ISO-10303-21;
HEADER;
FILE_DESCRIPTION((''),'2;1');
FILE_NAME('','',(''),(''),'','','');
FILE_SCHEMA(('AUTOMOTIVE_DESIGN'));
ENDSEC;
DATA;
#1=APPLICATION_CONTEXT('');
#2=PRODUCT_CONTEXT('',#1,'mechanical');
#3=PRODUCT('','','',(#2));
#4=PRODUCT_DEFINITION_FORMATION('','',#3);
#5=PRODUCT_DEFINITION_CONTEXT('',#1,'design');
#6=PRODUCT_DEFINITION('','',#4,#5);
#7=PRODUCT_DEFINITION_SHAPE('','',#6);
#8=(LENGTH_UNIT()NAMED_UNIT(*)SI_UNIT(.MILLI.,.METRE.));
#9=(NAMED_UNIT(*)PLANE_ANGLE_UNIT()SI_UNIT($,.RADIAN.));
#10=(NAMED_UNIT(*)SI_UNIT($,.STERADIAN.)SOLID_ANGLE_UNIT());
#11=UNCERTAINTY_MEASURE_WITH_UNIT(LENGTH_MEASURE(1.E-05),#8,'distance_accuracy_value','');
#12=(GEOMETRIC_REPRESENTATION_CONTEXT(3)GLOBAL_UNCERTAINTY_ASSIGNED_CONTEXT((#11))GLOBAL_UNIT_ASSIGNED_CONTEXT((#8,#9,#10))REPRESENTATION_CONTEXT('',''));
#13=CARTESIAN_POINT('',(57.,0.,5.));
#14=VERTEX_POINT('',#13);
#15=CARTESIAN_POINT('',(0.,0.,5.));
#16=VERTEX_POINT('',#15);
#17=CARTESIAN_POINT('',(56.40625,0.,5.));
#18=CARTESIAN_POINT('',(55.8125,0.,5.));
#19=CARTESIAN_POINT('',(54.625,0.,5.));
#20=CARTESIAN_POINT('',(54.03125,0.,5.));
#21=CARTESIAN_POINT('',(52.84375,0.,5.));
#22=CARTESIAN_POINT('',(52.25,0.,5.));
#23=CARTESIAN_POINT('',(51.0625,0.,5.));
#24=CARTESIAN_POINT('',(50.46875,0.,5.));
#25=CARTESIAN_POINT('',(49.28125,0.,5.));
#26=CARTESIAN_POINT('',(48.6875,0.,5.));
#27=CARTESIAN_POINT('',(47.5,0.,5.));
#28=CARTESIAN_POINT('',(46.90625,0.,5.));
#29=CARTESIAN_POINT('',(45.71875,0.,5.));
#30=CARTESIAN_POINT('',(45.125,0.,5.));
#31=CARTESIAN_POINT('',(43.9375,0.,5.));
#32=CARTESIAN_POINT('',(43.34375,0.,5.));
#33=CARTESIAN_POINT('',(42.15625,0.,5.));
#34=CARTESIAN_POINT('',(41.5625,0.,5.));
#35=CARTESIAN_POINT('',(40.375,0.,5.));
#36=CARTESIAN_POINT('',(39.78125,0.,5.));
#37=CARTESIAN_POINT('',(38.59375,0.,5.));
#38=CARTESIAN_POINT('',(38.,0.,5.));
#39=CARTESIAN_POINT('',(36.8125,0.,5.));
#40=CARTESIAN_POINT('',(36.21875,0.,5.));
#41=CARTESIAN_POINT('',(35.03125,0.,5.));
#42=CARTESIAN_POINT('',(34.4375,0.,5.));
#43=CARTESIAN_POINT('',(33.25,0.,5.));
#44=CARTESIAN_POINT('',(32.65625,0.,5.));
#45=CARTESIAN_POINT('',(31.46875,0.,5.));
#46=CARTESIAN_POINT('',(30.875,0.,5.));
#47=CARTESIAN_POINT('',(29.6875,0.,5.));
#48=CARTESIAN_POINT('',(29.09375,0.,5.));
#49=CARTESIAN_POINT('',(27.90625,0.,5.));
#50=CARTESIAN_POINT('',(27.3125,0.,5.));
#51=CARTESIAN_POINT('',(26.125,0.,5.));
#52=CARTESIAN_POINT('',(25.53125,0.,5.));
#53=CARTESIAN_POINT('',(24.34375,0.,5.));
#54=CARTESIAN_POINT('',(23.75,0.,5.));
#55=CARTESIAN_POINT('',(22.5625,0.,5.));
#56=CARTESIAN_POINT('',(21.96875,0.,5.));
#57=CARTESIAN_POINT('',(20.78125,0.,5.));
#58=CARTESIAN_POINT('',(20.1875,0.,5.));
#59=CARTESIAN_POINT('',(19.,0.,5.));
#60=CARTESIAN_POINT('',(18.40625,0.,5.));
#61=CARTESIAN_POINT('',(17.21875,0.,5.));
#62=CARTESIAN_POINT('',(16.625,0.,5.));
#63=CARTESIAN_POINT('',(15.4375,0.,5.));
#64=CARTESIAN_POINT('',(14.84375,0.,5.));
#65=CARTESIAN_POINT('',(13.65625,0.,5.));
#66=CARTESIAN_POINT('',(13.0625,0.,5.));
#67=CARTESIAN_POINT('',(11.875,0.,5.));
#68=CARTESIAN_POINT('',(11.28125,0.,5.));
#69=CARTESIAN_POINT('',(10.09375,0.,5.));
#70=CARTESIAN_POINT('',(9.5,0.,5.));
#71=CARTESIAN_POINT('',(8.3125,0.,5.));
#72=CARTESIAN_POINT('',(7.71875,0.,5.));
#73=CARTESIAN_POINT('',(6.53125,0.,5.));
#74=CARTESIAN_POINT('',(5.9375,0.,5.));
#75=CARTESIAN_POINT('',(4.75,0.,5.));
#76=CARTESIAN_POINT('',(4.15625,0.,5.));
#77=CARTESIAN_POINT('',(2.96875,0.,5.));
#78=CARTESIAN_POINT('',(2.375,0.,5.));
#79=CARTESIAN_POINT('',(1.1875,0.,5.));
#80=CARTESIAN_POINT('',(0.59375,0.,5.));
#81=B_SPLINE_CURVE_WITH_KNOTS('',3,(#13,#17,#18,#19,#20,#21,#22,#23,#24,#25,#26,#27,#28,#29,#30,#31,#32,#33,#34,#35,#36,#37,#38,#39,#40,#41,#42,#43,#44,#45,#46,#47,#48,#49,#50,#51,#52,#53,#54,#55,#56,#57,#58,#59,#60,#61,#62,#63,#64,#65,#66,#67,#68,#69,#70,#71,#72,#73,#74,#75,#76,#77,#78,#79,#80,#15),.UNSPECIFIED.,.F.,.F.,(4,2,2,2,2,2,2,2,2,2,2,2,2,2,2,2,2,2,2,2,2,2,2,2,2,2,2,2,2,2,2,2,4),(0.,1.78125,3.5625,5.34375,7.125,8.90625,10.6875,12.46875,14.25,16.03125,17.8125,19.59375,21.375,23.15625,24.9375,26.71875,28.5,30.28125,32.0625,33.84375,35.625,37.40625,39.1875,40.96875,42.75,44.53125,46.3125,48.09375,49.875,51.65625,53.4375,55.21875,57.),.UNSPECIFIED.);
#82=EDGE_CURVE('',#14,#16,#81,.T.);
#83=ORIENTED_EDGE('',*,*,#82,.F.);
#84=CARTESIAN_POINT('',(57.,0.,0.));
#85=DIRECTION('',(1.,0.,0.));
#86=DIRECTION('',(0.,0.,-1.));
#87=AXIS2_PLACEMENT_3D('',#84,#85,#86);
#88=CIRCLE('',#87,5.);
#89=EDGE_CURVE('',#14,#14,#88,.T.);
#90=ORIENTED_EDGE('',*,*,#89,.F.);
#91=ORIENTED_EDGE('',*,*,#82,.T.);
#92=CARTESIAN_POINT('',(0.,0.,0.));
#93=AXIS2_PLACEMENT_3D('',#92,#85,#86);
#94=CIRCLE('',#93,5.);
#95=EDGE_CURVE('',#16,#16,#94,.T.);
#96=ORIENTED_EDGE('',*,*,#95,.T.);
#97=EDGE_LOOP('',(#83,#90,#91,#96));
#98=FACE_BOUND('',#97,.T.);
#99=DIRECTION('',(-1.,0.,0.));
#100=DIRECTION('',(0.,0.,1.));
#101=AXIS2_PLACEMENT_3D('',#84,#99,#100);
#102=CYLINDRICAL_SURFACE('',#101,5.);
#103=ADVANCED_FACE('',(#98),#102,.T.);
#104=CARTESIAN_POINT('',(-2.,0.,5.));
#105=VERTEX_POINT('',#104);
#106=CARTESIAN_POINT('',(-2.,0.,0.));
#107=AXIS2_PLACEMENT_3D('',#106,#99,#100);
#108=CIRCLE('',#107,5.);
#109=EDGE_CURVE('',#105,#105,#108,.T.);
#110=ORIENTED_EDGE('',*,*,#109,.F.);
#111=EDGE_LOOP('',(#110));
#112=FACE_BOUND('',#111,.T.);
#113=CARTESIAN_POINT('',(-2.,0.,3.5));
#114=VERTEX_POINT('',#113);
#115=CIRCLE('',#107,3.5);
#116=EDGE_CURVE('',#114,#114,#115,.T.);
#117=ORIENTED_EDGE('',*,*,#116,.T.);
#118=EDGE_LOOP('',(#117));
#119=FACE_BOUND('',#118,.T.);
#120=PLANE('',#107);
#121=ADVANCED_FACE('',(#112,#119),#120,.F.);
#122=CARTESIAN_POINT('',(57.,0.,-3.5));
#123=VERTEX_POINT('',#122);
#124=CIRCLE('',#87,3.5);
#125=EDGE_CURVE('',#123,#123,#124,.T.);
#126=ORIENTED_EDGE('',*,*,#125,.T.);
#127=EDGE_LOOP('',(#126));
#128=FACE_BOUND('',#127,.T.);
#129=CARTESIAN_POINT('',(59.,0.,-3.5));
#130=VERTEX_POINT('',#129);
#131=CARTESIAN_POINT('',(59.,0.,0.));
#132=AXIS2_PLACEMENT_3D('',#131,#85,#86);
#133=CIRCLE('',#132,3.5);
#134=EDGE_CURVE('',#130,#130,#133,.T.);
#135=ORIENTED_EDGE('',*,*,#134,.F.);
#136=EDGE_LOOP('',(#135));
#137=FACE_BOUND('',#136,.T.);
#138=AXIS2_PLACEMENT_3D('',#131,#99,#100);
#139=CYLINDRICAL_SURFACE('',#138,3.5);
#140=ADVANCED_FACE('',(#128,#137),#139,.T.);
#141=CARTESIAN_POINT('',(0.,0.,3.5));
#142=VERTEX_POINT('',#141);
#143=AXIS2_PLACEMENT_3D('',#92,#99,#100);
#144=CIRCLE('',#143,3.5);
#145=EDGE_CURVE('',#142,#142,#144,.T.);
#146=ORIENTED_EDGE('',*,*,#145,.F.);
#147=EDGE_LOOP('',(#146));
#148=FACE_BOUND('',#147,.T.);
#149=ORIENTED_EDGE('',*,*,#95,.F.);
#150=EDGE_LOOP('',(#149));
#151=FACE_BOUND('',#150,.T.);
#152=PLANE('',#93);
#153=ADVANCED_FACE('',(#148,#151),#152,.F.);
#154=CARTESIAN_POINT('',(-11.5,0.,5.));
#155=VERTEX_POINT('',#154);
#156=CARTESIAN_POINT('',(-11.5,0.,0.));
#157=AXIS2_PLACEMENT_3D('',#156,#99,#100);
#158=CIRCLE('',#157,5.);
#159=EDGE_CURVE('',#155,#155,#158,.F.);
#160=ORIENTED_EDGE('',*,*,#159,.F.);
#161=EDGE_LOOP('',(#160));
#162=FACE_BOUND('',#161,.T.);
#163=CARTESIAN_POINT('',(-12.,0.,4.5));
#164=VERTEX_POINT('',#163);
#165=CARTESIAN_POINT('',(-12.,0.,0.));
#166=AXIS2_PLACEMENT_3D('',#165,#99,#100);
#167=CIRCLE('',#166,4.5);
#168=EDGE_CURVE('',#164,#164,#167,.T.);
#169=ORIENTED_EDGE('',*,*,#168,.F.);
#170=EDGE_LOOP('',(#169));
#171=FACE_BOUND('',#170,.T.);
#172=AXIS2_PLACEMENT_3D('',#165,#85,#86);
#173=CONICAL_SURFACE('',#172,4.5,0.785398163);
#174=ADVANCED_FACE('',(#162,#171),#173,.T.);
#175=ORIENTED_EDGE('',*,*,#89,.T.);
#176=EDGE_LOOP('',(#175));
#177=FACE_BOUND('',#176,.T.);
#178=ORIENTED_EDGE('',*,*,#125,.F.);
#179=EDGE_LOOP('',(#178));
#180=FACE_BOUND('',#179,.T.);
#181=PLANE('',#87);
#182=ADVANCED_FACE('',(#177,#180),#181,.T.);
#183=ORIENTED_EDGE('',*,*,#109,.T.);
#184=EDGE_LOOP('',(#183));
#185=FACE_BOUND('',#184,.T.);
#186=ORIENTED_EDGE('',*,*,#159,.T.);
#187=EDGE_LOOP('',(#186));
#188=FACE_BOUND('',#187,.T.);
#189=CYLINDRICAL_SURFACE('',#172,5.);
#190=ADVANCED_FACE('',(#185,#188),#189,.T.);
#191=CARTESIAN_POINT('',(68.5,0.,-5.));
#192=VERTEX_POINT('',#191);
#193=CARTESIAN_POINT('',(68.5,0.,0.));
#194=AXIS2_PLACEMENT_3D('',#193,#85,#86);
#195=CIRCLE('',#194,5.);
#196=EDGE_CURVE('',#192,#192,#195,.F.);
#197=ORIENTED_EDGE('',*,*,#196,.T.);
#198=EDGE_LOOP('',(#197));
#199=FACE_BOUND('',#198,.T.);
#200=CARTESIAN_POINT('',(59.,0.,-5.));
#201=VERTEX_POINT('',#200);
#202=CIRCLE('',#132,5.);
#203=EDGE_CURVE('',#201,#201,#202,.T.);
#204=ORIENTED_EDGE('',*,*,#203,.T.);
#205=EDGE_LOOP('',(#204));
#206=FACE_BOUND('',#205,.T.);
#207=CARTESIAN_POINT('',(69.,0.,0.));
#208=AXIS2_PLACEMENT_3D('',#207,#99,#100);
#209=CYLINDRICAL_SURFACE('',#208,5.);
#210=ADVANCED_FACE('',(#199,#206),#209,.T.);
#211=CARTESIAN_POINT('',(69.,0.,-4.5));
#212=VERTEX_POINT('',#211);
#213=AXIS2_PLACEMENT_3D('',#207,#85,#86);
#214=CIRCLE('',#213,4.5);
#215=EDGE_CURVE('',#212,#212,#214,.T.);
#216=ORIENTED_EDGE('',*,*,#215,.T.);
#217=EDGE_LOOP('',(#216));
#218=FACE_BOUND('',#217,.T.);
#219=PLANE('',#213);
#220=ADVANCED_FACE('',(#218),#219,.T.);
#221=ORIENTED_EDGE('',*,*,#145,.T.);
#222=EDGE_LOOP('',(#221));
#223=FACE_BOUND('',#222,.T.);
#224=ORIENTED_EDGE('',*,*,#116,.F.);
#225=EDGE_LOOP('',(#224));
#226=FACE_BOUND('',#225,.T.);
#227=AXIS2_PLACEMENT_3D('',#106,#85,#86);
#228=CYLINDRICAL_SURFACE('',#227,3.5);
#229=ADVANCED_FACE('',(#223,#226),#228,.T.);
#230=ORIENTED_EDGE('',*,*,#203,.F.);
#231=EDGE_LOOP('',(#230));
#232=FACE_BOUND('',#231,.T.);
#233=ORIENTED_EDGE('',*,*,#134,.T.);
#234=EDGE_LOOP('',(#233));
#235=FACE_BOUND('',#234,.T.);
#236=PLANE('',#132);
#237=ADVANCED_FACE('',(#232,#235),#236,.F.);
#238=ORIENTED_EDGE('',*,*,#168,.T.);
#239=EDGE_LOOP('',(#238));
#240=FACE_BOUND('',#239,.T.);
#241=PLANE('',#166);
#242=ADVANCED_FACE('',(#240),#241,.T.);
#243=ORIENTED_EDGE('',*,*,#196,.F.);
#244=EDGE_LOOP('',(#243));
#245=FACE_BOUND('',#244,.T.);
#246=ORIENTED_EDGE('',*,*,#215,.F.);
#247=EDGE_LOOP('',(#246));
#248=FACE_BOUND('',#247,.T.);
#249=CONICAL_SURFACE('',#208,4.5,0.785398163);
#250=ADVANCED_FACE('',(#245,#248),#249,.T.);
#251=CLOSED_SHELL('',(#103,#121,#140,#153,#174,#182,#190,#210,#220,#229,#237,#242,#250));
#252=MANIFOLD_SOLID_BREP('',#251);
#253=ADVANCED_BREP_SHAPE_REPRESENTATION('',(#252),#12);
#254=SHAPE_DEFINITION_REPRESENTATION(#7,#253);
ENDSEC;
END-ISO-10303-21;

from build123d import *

# Parameters (mm, degrees)
SKETCH_4_R      = 5
EXTRUDE_4_DEPTH = 57
SKETCH_5_R      = 3.5
EXTRUDE_5_DEPTH = 2
EXTRUDE_START   = 10
SKETCH_6_R      = 5
EXTRUDE_6_DEPTH = 10
EXTRUDE_START_2 = 2
SKETCH_7_R      = 3.5
EXTRUDE_7_DEPTH = 2
SKETCH_8_R      = 5
EXTRUDE_8_DEPTH = 10
CHAMFER_1_SIZE  = 0.5


with BuildPart() as part:
    # 草图4 → 凸台-拉伸4 (new body)
    with BuildSketch(Plane(origin=(0, 0, 0), x_dir=(0, 0, -1), z_dir=(1, 0, 0))):
        with Locations(Location((0, 0, 0), (0, 0, 180))):
            Circle(SKETCH_4_R)
    extrude(amount=EXTRUDE_4_DEPTH)

    # 草图5 → 凸台-拉伸5 (add)
    with BuildSketch(Plane.ZY):
        Circle(SKETCH_5_R)
    extrude(amount=EXTRUDE_5_DEPTH)

    # 草图6 → 凸台-拉伸6 (add)
    with BuildSketch(Plane.ZY.offset(2).offset(EXTRUDE_START)):
        Circle(SKETCH_6_R)
    extrude(amount=-EXTRUDE_6_DEPTH)

    # 草图7 → 凸台-拉伸7 (add)
    with BuildSketch(Plane(origin=(57, 0, 0), x_dir=(0, 0, -1), z_dir=(1, 0, 0)).offset(EXTRUDE_START_2)):
        with Locations(Location((0, 0, 0), (0, 0, 180))):
            Circle(SKETCH_7_R)
    extrude(amount=-EXTRUDE_7_DEPTH)

    # 草图8 → 凸台-拉伸8 (add)
    with BuildSketch(Plane(origin=(59, 0, 0), x_dir=(0, 0, -1), z_dir=(1, 0, 0))):
        with Locations(Location((0, 0, 0), (0, 0, 180))):
            Circle(SKETCH_8_R)
    extrude(amount=EXTRUDE_8_DEPTH)

    # 倒角1
    chamfer_1_edges = [part.edges().sort_by_distance(p)[0] for p in [
        (-12, 0, -5),
        (69, 0, -5),
    ]]
    chamfer(chamfer_1_edges, length=CHAMFER_1_SIZE)


solid = part.part
